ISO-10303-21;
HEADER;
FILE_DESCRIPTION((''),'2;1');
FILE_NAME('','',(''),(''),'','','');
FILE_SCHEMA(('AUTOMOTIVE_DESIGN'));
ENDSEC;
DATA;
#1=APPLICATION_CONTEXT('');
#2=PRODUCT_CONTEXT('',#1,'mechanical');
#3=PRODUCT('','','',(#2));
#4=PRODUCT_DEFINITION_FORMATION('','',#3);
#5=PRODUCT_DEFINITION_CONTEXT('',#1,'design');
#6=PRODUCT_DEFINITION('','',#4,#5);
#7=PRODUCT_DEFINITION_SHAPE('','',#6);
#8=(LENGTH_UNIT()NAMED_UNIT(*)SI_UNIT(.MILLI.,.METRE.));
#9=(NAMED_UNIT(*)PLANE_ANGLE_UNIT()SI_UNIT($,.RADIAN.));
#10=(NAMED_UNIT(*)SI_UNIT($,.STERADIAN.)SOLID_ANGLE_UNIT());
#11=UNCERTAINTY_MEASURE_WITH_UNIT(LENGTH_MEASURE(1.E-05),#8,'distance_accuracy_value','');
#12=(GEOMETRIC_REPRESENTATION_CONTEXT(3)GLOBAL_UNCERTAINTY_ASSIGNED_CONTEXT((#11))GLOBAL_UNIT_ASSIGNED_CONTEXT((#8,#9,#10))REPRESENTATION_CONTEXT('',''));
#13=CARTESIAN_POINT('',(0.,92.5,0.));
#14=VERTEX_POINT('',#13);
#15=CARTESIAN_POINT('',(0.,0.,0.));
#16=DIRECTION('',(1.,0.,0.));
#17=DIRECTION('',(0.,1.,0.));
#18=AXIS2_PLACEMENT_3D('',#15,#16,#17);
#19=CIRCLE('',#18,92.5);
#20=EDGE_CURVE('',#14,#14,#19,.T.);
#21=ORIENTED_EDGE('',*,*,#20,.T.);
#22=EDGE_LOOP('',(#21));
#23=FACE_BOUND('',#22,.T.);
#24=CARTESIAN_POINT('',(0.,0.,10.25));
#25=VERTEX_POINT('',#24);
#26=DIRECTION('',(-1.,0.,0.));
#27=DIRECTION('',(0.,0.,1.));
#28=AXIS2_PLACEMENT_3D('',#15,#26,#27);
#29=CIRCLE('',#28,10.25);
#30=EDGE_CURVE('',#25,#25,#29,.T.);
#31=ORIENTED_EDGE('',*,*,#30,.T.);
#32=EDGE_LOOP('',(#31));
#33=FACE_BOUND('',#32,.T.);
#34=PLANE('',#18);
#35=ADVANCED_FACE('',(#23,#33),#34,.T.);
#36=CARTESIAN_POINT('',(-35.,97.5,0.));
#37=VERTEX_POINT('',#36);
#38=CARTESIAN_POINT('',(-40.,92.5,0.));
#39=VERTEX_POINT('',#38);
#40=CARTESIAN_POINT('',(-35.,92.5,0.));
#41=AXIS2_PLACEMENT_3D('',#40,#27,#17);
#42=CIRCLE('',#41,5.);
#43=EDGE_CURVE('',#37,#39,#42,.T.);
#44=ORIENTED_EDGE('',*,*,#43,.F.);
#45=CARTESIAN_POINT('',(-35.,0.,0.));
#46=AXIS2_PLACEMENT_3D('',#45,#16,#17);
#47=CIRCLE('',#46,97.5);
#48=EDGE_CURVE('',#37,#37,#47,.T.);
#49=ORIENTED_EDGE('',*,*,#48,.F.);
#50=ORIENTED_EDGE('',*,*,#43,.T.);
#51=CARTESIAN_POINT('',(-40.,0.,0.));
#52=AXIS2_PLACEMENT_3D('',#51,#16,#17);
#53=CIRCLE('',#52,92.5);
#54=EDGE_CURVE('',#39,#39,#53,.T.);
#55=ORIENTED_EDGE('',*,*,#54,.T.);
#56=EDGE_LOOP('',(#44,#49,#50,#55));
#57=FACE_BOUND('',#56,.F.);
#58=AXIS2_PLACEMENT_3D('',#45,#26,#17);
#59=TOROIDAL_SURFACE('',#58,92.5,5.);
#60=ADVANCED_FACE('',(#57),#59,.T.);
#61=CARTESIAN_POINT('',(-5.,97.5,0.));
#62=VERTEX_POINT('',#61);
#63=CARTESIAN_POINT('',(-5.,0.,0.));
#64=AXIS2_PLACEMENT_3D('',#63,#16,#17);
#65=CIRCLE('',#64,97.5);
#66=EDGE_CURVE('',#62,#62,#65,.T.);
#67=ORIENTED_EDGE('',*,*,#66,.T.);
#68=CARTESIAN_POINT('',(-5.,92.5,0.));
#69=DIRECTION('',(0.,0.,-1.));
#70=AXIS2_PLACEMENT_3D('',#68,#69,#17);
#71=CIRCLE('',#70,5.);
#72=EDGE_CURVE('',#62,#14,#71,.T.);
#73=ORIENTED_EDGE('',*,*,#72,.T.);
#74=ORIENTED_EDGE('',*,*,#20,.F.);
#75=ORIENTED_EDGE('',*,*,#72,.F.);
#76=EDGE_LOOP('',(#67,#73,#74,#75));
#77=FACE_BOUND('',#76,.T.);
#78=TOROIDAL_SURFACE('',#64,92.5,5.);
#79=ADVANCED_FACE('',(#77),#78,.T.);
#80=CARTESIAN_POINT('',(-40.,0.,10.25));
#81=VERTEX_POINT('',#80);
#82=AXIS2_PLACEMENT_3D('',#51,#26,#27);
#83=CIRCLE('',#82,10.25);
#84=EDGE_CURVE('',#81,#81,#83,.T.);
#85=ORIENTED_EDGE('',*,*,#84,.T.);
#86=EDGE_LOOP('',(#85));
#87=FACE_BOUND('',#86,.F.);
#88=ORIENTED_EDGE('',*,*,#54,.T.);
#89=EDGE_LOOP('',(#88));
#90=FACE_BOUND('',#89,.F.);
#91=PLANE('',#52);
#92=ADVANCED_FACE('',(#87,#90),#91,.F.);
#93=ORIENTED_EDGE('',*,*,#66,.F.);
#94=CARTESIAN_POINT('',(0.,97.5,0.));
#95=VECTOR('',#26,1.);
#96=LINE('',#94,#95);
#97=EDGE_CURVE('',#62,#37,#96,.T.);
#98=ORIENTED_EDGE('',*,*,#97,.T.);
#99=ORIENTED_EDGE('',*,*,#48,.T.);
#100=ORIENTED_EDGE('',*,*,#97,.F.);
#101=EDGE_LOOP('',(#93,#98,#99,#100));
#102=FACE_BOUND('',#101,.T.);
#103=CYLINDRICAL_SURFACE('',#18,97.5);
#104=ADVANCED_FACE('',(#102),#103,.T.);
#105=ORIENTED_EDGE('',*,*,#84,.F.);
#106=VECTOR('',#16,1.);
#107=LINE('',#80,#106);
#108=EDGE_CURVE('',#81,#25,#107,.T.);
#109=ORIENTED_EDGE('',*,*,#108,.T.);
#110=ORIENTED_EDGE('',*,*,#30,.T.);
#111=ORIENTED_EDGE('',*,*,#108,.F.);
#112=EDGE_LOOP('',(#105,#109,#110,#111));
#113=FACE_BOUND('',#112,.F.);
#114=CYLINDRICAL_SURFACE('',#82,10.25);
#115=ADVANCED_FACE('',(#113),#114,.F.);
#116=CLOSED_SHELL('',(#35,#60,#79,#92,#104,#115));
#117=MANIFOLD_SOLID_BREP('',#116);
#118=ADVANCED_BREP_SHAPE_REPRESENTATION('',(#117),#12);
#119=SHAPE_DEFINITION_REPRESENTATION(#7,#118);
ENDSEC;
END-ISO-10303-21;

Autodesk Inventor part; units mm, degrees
ref_plane "XZ Plane" through (0, 0, 0) normal (0, 1, 0) x (-1, 0, 0)
ref_plane "XY Plane" through (0, 0, 0) normal (0, 0, 1) x (1, 0, 0)
sketch "Boceto1" plane through (0, 0, 0) normal (1, 0, 0) x (0, 1, 0)
  circle A0 centre (0, 0) radius 97.5
  dimension "d0" = 195
extrude "Extrusión1" add sketch "Boceto1" against normal blind 40
fillet "Empalme1" radius 5 2 edges at (-40, -97.5, 0) (0, -97.5, 0)
sketch "Boceto2" plane through (-40, 0, 0) normal (-1, 0, 0) x (0, 0, 1)
  circle A0 centre (0, 0) radius 10.25
  dimension "d4" = 20.5
extrude "Extrusión2" cut sketch "Boceto2" against normal up to surface (40 mm away)
properties part number "wheel_right_link"
